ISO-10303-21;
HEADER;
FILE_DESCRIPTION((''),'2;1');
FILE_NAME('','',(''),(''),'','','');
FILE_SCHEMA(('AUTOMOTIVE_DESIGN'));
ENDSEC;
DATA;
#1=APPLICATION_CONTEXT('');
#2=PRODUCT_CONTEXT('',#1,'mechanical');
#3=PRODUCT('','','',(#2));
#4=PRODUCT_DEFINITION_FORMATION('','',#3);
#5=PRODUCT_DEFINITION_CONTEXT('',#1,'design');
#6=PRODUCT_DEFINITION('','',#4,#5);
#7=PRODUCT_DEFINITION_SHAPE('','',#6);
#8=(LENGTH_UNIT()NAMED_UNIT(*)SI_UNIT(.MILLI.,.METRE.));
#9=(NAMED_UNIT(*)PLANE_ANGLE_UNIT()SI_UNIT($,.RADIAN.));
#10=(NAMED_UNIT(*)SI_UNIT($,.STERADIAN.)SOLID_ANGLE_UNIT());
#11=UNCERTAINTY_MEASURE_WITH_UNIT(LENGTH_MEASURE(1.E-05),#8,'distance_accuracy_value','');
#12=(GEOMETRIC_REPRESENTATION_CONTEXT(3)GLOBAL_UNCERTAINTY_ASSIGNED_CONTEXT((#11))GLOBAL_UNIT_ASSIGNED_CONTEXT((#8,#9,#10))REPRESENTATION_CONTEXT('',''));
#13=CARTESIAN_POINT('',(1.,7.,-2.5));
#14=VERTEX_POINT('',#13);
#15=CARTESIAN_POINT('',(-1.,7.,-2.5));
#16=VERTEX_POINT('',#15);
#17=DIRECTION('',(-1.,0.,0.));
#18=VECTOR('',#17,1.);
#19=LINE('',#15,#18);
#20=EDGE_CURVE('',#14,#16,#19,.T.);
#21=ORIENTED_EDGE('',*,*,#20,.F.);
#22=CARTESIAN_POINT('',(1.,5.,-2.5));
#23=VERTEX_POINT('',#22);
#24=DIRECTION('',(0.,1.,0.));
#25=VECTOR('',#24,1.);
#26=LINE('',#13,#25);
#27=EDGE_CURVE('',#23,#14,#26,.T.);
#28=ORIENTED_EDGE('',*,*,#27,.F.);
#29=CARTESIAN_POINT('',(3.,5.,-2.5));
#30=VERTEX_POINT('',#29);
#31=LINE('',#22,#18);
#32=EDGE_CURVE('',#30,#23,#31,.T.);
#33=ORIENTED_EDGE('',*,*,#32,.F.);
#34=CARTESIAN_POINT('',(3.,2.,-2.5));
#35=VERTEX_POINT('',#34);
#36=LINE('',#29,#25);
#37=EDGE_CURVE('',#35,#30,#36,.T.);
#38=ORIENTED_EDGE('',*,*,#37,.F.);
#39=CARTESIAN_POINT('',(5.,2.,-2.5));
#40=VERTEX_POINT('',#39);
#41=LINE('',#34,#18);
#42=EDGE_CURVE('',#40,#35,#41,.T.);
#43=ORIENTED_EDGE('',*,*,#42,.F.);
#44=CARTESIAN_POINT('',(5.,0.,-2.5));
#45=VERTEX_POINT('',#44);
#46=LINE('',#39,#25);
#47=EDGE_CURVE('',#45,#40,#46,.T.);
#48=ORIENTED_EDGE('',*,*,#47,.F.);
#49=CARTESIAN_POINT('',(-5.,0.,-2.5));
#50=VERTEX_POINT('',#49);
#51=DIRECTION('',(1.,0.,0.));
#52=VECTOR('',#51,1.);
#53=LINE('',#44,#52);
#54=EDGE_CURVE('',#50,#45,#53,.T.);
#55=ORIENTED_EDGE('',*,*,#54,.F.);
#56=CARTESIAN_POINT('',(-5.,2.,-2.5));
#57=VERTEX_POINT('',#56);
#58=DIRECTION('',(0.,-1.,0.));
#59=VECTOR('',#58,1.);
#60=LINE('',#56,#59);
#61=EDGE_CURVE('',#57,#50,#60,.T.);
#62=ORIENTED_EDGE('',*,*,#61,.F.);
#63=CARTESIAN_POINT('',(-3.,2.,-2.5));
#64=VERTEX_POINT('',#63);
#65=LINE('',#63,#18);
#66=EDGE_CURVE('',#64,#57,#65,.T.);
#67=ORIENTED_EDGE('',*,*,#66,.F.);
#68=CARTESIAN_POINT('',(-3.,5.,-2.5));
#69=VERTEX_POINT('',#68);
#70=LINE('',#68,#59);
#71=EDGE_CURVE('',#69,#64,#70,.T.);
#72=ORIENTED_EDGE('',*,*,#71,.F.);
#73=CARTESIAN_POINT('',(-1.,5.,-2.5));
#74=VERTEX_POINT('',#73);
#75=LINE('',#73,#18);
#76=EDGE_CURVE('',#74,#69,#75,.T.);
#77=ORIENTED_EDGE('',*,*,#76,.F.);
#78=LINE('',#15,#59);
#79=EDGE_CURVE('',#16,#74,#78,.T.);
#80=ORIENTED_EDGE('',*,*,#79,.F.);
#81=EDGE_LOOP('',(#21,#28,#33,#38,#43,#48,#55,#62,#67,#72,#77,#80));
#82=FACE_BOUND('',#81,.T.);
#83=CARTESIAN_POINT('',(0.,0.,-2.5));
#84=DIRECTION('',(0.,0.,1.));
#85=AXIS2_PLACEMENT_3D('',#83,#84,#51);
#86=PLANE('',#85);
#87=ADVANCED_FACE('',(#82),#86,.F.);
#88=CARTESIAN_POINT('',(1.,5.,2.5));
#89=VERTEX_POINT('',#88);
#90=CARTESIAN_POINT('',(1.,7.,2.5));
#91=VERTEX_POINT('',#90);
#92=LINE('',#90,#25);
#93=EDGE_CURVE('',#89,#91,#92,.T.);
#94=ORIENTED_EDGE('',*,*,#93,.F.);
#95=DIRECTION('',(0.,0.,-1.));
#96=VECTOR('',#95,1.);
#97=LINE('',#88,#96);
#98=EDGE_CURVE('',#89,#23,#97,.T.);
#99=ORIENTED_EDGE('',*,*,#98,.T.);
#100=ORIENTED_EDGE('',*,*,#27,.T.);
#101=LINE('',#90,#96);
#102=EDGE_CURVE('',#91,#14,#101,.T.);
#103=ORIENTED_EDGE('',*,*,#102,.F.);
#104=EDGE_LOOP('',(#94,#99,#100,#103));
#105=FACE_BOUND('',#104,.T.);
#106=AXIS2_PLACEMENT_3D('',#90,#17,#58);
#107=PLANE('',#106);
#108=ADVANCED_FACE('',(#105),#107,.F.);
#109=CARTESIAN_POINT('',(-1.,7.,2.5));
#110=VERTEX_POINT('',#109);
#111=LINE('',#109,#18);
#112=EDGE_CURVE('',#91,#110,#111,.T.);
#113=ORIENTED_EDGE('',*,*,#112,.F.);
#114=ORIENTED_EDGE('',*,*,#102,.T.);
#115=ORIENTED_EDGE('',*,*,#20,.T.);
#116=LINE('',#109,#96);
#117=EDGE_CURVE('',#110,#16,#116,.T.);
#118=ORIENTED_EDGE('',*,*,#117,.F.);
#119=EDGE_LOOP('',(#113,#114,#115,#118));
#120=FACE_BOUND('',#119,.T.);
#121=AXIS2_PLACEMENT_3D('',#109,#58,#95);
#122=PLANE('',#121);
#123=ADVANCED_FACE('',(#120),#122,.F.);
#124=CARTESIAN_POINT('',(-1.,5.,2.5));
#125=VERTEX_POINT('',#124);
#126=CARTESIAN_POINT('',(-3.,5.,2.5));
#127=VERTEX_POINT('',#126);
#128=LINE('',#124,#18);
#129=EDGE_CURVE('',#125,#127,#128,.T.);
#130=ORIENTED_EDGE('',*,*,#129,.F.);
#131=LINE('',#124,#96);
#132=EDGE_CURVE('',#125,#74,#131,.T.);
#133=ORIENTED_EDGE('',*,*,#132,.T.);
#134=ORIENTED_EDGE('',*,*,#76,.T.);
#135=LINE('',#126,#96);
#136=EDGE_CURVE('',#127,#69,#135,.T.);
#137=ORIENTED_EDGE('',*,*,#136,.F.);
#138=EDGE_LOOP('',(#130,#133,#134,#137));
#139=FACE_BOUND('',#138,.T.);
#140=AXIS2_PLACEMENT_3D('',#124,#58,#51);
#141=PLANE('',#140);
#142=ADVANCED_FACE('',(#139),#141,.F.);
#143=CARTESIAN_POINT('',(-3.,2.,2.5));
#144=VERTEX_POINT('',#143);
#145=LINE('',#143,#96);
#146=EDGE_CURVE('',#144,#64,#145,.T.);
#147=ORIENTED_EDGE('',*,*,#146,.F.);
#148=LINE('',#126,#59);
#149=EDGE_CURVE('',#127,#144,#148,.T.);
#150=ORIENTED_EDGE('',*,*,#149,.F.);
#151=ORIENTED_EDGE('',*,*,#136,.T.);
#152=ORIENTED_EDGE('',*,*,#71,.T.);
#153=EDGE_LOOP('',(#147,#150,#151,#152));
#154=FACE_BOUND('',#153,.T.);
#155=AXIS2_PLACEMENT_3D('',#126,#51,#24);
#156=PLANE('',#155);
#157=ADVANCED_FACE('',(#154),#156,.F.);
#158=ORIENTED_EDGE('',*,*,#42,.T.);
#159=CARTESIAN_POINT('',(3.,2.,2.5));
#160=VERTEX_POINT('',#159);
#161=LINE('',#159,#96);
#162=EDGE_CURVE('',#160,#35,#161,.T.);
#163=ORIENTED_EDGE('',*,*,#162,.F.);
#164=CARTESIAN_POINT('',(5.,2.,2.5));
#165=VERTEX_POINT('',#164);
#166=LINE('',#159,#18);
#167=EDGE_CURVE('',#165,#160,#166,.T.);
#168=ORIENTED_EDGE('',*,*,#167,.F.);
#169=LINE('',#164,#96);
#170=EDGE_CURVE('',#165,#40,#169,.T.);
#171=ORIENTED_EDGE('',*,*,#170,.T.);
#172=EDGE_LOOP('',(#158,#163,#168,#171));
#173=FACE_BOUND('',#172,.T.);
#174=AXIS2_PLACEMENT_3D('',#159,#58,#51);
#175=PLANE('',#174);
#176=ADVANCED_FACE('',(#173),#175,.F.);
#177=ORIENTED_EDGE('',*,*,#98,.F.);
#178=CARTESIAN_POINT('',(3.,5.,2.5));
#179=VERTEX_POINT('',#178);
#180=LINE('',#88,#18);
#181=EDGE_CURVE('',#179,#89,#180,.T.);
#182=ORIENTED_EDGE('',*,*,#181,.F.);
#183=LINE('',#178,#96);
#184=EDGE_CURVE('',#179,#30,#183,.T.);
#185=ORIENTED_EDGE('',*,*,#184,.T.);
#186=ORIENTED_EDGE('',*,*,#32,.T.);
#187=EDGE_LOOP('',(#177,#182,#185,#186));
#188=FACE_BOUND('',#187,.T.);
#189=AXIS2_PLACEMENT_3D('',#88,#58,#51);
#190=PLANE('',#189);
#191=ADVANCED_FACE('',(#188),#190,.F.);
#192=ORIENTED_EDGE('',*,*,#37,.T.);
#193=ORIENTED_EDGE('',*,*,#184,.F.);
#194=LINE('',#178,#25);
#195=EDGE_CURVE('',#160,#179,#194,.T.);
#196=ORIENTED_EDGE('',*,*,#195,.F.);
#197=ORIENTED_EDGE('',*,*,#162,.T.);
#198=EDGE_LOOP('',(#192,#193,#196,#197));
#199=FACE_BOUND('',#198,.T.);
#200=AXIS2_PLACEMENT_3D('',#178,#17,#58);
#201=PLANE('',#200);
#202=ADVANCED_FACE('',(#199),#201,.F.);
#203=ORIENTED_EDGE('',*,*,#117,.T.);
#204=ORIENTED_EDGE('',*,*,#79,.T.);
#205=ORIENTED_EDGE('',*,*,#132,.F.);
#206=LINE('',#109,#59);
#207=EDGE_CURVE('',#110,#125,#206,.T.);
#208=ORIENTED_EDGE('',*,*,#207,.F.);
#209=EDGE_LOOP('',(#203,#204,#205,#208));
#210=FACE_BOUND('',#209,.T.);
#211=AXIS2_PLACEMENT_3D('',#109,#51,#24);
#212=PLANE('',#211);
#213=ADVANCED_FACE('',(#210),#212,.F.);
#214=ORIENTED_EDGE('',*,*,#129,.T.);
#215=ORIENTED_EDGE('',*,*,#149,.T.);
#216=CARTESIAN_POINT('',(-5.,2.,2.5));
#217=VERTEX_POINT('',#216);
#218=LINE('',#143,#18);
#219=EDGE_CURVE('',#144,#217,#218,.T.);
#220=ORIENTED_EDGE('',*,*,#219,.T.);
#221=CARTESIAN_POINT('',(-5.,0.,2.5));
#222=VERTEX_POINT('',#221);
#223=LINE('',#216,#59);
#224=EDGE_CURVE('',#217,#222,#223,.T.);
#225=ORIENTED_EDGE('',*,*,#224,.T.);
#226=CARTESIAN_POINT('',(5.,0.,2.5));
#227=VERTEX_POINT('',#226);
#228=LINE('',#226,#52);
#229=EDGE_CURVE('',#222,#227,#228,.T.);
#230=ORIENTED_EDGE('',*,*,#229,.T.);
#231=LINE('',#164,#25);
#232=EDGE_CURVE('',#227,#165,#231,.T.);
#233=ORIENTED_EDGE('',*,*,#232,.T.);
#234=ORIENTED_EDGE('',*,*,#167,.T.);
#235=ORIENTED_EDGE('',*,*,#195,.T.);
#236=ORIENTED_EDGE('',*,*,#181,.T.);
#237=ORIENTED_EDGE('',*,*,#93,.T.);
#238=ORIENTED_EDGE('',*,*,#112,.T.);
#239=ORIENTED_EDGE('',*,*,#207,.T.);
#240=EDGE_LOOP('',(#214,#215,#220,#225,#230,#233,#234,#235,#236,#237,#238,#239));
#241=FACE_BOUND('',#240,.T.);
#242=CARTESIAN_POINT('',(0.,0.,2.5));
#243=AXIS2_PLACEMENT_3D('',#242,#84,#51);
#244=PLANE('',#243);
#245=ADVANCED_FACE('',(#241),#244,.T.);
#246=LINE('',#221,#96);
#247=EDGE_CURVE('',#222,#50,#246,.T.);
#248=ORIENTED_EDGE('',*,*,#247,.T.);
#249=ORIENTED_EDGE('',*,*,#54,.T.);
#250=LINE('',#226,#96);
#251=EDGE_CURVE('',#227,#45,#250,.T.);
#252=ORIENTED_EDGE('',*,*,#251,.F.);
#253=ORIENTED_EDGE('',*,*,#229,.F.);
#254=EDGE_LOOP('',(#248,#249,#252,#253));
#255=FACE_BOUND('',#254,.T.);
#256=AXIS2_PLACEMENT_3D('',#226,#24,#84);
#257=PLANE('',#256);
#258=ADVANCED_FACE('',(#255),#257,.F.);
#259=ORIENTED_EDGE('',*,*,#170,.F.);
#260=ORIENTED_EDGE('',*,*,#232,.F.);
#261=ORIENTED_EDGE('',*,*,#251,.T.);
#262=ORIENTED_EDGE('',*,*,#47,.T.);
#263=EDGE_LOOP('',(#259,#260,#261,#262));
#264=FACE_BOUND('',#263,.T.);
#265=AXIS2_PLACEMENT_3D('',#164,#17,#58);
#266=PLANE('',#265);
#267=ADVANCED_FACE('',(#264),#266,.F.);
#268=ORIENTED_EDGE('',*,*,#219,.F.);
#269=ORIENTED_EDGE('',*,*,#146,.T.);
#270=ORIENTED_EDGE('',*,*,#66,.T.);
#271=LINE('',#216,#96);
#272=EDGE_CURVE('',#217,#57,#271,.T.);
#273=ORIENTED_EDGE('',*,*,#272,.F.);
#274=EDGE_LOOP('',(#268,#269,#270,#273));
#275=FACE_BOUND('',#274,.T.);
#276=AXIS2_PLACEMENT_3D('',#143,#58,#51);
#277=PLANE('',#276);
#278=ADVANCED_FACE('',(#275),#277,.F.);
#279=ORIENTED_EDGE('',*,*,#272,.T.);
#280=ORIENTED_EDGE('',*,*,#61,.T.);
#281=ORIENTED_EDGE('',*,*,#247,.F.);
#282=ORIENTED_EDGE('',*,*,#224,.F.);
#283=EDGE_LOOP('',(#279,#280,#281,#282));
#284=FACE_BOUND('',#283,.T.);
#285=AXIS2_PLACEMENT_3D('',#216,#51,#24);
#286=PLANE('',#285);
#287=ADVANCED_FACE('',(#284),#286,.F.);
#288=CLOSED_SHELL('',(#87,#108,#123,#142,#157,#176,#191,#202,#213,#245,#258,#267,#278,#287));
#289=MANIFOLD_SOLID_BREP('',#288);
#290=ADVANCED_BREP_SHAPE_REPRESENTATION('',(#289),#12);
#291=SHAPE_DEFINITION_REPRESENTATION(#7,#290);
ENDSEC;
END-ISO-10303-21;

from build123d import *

# Parameters (mm, degrees)
BOSS_EXTRUDE1_DEPTH = 2.5


with BuildPart() as part:
    # Sketch1 → Boss-Extrude1 (new, symmetric)
    with BuildSketch(Plane.XY):
        Polygon((-1, 7), (1, 7), (1, 5), (3, 5), (3, 2), (5, 2), (5, 0), (-5, 0), (-5, 2), (-3, 2), (-3, 5), (-1, 5), align=None)
    extrude(amount=BOSS_EXTRUDE1_DEPTH, both=True)


solid = part.part
